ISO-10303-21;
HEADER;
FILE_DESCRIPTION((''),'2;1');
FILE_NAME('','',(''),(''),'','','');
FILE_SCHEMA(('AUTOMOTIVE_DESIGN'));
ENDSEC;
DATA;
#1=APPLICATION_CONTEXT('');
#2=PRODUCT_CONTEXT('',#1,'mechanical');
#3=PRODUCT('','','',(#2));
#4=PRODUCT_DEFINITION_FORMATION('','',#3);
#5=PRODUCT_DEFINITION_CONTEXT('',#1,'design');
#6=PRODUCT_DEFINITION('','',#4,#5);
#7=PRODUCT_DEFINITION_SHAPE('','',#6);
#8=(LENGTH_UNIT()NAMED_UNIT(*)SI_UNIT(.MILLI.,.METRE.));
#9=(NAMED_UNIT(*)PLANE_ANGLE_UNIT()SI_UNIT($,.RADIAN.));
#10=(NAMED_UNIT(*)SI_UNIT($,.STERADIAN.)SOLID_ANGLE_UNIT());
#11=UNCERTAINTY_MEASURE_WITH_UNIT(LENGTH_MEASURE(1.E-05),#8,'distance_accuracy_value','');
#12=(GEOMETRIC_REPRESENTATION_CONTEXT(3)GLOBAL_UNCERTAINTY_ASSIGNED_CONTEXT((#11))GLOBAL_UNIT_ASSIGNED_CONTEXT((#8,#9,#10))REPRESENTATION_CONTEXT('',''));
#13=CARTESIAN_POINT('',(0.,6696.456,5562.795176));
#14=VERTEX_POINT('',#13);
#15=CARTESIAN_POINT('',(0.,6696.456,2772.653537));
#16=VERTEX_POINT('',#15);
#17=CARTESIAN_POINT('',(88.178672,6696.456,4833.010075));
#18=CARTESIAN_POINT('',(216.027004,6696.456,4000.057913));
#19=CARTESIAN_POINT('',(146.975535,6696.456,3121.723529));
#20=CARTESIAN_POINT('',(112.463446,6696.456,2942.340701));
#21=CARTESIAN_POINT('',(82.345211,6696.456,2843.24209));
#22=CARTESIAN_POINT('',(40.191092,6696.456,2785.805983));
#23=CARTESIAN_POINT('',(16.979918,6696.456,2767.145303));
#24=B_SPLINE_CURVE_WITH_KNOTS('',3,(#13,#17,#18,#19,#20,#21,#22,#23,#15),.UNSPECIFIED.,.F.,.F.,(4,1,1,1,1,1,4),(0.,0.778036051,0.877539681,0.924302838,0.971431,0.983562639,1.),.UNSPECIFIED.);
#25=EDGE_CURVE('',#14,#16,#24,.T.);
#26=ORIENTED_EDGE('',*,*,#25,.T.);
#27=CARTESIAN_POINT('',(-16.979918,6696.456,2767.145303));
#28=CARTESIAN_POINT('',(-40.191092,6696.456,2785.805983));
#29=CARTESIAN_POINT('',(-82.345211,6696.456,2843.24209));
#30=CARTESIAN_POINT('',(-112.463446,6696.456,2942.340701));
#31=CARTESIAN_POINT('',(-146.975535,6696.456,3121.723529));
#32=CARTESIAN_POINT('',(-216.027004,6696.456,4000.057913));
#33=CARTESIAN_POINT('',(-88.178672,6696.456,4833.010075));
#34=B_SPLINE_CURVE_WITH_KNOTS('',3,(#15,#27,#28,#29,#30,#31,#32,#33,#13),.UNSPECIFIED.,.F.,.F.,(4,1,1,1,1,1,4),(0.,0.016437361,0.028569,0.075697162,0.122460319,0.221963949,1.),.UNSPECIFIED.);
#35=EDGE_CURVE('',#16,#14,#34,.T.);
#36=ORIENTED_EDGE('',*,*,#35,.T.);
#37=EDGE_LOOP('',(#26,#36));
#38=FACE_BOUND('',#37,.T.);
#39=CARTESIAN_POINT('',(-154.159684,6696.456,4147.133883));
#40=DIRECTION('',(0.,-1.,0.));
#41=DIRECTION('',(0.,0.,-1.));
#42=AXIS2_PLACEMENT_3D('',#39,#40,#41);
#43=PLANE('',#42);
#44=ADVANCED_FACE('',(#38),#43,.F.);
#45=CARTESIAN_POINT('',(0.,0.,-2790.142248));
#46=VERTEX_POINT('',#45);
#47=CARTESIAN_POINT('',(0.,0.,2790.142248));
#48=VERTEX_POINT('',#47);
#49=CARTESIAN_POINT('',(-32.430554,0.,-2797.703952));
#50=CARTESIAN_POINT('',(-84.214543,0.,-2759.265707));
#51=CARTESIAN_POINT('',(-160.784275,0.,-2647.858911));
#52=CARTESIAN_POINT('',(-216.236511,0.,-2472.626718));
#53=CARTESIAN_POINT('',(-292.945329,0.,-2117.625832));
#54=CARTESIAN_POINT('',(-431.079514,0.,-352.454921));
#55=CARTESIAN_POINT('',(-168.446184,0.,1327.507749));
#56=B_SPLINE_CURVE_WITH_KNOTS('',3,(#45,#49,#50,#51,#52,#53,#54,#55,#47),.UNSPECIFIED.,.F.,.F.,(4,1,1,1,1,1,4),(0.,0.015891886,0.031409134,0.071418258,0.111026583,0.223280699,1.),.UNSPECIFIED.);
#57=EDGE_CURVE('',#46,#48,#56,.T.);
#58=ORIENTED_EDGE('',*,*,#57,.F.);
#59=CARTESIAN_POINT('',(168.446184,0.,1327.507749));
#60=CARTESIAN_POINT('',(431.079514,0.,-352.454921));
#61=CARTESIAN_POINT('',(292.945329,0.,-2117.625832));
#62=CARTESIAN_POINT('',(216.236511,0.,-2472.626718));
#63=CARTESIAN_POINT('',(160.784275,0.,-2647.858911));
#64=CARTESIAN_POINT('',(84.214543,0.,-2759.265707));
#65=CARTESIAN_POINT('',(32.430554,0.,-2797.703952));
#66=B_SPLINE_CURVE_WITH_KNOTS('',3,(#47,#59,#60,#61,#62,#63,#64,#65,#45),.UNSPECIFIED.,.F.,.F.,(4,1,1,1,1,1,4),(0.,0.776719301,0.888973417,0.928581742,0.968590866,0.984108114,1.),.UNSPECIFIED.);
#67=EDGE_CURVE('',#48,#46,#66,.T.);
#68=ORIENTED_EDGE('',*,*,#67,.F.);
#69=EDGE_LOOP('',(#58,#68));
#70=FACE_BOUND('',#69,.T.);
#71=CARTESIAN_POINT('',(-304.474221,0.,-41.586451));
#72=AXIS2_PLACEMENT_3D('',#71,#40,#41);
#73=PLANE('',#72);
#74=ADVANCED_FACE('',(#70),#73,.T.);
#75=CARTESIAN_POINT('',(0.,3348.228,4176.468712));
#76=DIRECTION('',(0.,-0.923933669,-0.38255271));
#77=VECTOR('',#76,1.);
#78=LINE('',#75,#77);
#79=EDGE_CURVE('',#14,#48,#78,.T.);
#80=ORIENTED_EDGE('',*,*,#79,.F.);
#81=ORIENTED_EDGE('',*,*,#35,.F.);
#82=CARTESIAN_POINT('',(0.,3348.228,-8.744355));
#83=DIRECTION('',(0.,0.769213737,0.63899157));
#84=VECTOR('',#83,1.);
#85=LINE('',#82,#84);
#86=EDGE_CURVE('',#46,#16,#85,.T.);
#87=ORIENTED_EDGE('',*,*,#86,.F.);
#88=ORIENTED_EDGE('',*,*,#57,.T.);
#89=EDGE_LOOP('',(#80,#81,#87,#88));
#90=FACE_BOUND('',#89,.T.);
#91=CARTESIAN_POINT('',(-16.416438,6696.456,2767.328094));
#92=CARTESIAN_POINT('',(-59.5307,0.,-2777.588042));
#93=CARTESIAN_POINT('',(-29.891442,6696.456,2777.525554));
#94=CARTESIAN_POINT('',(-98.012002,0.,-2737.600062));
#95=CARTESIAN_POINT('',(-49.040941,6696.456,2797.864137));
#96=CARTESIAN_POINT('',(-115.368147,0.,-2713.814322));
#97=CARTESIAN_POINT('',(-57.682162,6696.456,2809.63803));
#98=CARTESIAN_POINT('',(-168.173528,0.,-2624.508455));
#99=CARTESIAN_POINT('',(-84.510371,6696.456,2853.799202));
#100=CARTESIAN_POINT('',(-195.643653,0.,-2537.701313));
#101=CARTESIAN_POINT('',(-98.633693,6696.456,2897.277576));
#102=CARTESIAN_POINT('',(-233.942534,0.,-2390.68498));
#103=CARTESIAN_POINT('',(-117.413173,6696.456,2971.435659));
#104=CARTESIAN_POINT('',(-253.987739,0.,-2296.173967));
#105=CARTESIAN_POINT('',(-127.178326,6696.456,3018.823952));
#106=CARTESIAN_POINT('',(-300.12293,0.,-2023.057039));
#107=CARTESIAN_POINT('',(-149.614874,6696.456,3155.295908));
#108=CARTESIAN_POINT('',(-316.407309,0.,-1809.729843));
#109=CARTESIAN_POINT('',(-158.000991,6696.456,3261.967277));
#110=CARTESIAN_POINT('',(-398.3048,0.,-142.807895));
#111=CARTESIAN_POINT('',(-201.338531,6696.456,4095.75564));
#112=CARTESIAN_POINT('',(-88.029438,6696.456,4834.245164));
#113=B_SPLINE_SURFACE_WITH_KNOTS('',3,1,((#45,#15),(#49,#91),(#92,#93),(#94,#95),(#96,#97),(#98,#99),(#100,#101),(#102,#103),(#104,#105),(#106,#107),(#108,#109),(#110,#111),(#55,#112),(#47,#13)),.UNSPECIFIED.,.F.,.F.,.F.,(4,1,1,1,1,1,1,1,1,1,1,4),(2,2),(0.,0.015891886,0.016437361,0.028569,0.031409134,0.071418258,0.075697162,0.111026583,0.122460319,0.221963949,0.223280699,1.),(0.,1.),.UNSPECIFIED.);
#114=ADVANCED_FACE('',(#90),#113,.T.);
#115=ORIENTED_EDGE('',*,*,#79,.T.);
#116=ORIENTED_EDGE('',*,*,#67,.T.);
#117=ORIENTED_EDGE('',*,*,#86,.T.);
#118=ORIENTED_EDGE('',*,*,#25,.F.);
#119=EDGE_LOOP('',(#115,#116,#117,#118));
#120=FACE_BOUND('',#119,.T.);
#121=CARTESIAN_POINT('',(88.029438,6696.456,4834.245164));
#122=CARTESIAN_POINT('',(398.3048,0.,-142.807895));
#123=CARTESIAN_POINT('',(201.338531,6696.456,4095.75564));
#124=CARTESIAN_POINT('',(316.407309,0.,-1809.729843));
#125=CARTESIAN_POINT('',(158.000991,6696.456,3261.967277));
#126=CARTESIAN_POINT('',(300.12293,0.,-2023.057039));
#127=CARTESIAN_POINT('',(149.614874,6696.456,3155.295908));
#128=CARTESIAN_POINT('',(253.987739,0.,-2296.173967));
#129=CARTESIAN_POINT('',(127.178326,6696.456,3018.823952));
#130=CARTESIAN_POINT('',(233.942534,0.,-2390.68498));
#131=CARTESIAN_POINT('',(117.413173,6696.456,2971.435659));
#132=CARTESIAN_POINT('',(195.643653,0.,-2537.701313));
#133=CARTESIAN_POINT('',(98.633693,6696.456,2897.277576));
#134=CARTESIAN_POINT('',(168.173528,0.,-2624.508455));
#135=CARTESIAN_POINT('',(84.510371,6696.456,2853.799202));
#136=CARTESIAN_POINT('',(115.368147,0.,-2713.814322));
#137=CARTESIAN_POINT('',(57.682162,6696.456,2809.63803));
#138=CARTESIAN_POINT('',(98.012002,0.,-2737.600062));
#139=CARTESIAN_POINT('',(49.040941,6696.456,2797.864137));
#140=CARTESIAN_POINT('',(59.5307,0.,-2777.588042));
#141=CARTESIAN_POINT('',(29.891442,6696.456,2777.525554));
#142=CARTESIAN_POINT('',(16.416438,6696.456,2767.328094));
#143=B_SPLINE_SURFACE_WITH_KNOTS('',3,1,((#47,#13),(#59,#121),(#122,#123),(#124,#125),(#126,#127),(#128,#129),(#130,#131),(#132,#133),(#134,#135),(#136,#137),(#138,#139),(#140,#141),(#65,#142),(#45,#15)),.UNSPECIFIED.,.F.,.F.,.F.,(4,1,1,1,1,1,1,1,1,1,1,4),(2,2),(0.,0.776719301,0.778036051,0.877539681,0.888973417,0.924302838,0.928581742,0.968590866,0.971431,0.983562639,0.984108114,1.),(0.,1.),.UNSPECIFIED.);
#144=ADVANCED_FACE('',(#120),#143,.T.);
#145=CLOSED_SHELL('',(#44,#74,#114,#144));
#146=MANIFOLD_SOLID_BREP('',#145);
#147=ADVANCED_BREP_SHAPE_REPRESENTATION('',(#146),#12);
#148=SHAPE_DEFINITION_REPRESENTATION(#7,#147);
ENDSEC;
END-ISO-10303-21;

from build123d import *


with BuildPart() as part:
    # Sketch1 → Loft2 section 0
    with BuildSketch(Plane(origin=(0, 0, 0), x_dir=(1, 0, 0), z_dir=(0, 1, 0))):
        with BuildLine():
            add(Edge.make_bspline(
                [(0, 2790.142248), (32.430553625, 2797.703951889), (84.214543249, 2759.265706913), (160.784275423, 2647.858910625), (216.236511451, 2472.626717932), (292.945329004, 2117.625832168), (431.079514036, 352.45492096), (168.44618418, -1327.507749315), (0, -2790.142248)],
                knots=[0, 0, 0, 0, 0.015891886, 0.031409134, 0.071418258, 0.111026583, 0.223280699, 1, 1, 1, 1], degree=3))
            add(Edge.make_bspline(
                [(0, 2790.142248), (-32.430553625, 2797.703951889), (-84.214543249, 2759.265706913), (-160.784275423, 2647.858910625), (-216.236511451, 2472.626717932), (-292.945329004, 2117.625832168), (-431.079514036, 352.45492096), (-168.44618418, -1327.507749315), (0, -2790.142248)],
                knots=[0, 0, 0, 0, 0.015891886, 0.031409134, 0.071418258, 0.111026583, 0.223280699, 1, 1, 1, 1], degree=3))
        make_face()
    # Sketch3 → Loft2 section 1
    with BuildSketch(Plane(origin=(0, 6696.456, 0), x_dir=(1, 0, 0), z_dir=(0, 1, 0))):
        with BuildLine():
            add(Edge.make_bspline(
                [(0, -2772.653537317), (16.979917738, -2767.145303222), (40.19109194, -2785.805982638), (82.345210822, -2843.24208975), (112.463446335, -2942.340700836), (146.975535405, -3121.723529001), (216.027003639, -4000.057912964), (88.17867211, -4833.010074602), (0, -5562.795175717)],
                knots=[0, 0, 0, 0, 0.016437361, 0.028569, 0.075697162, 0.122460319, 0.221963949, 1, 1, 1, 1], degree=3))
            add(Edge.make_bspline(
                [(0, -2772.653537317), (-16.979917738, -2767.145303222), (-40.19109194, -2785.805982638), (-82.345210822, -2843.24208975), (-112.463446335, -2942.340700836), (-146.975535405, -3121.723529001), (-216.027003639, -4000.057912964), (-88.17867211, -4833.010074602), (0, -5562.795175717)],
                knots=[0, 0, 0, 0, 0.016437361, 0.028569, 0.075697162, 0.122460319, 0.221963949, 1, 1, 1, 1], degree=3))
        make_face()
    loft()


solid = part.part
